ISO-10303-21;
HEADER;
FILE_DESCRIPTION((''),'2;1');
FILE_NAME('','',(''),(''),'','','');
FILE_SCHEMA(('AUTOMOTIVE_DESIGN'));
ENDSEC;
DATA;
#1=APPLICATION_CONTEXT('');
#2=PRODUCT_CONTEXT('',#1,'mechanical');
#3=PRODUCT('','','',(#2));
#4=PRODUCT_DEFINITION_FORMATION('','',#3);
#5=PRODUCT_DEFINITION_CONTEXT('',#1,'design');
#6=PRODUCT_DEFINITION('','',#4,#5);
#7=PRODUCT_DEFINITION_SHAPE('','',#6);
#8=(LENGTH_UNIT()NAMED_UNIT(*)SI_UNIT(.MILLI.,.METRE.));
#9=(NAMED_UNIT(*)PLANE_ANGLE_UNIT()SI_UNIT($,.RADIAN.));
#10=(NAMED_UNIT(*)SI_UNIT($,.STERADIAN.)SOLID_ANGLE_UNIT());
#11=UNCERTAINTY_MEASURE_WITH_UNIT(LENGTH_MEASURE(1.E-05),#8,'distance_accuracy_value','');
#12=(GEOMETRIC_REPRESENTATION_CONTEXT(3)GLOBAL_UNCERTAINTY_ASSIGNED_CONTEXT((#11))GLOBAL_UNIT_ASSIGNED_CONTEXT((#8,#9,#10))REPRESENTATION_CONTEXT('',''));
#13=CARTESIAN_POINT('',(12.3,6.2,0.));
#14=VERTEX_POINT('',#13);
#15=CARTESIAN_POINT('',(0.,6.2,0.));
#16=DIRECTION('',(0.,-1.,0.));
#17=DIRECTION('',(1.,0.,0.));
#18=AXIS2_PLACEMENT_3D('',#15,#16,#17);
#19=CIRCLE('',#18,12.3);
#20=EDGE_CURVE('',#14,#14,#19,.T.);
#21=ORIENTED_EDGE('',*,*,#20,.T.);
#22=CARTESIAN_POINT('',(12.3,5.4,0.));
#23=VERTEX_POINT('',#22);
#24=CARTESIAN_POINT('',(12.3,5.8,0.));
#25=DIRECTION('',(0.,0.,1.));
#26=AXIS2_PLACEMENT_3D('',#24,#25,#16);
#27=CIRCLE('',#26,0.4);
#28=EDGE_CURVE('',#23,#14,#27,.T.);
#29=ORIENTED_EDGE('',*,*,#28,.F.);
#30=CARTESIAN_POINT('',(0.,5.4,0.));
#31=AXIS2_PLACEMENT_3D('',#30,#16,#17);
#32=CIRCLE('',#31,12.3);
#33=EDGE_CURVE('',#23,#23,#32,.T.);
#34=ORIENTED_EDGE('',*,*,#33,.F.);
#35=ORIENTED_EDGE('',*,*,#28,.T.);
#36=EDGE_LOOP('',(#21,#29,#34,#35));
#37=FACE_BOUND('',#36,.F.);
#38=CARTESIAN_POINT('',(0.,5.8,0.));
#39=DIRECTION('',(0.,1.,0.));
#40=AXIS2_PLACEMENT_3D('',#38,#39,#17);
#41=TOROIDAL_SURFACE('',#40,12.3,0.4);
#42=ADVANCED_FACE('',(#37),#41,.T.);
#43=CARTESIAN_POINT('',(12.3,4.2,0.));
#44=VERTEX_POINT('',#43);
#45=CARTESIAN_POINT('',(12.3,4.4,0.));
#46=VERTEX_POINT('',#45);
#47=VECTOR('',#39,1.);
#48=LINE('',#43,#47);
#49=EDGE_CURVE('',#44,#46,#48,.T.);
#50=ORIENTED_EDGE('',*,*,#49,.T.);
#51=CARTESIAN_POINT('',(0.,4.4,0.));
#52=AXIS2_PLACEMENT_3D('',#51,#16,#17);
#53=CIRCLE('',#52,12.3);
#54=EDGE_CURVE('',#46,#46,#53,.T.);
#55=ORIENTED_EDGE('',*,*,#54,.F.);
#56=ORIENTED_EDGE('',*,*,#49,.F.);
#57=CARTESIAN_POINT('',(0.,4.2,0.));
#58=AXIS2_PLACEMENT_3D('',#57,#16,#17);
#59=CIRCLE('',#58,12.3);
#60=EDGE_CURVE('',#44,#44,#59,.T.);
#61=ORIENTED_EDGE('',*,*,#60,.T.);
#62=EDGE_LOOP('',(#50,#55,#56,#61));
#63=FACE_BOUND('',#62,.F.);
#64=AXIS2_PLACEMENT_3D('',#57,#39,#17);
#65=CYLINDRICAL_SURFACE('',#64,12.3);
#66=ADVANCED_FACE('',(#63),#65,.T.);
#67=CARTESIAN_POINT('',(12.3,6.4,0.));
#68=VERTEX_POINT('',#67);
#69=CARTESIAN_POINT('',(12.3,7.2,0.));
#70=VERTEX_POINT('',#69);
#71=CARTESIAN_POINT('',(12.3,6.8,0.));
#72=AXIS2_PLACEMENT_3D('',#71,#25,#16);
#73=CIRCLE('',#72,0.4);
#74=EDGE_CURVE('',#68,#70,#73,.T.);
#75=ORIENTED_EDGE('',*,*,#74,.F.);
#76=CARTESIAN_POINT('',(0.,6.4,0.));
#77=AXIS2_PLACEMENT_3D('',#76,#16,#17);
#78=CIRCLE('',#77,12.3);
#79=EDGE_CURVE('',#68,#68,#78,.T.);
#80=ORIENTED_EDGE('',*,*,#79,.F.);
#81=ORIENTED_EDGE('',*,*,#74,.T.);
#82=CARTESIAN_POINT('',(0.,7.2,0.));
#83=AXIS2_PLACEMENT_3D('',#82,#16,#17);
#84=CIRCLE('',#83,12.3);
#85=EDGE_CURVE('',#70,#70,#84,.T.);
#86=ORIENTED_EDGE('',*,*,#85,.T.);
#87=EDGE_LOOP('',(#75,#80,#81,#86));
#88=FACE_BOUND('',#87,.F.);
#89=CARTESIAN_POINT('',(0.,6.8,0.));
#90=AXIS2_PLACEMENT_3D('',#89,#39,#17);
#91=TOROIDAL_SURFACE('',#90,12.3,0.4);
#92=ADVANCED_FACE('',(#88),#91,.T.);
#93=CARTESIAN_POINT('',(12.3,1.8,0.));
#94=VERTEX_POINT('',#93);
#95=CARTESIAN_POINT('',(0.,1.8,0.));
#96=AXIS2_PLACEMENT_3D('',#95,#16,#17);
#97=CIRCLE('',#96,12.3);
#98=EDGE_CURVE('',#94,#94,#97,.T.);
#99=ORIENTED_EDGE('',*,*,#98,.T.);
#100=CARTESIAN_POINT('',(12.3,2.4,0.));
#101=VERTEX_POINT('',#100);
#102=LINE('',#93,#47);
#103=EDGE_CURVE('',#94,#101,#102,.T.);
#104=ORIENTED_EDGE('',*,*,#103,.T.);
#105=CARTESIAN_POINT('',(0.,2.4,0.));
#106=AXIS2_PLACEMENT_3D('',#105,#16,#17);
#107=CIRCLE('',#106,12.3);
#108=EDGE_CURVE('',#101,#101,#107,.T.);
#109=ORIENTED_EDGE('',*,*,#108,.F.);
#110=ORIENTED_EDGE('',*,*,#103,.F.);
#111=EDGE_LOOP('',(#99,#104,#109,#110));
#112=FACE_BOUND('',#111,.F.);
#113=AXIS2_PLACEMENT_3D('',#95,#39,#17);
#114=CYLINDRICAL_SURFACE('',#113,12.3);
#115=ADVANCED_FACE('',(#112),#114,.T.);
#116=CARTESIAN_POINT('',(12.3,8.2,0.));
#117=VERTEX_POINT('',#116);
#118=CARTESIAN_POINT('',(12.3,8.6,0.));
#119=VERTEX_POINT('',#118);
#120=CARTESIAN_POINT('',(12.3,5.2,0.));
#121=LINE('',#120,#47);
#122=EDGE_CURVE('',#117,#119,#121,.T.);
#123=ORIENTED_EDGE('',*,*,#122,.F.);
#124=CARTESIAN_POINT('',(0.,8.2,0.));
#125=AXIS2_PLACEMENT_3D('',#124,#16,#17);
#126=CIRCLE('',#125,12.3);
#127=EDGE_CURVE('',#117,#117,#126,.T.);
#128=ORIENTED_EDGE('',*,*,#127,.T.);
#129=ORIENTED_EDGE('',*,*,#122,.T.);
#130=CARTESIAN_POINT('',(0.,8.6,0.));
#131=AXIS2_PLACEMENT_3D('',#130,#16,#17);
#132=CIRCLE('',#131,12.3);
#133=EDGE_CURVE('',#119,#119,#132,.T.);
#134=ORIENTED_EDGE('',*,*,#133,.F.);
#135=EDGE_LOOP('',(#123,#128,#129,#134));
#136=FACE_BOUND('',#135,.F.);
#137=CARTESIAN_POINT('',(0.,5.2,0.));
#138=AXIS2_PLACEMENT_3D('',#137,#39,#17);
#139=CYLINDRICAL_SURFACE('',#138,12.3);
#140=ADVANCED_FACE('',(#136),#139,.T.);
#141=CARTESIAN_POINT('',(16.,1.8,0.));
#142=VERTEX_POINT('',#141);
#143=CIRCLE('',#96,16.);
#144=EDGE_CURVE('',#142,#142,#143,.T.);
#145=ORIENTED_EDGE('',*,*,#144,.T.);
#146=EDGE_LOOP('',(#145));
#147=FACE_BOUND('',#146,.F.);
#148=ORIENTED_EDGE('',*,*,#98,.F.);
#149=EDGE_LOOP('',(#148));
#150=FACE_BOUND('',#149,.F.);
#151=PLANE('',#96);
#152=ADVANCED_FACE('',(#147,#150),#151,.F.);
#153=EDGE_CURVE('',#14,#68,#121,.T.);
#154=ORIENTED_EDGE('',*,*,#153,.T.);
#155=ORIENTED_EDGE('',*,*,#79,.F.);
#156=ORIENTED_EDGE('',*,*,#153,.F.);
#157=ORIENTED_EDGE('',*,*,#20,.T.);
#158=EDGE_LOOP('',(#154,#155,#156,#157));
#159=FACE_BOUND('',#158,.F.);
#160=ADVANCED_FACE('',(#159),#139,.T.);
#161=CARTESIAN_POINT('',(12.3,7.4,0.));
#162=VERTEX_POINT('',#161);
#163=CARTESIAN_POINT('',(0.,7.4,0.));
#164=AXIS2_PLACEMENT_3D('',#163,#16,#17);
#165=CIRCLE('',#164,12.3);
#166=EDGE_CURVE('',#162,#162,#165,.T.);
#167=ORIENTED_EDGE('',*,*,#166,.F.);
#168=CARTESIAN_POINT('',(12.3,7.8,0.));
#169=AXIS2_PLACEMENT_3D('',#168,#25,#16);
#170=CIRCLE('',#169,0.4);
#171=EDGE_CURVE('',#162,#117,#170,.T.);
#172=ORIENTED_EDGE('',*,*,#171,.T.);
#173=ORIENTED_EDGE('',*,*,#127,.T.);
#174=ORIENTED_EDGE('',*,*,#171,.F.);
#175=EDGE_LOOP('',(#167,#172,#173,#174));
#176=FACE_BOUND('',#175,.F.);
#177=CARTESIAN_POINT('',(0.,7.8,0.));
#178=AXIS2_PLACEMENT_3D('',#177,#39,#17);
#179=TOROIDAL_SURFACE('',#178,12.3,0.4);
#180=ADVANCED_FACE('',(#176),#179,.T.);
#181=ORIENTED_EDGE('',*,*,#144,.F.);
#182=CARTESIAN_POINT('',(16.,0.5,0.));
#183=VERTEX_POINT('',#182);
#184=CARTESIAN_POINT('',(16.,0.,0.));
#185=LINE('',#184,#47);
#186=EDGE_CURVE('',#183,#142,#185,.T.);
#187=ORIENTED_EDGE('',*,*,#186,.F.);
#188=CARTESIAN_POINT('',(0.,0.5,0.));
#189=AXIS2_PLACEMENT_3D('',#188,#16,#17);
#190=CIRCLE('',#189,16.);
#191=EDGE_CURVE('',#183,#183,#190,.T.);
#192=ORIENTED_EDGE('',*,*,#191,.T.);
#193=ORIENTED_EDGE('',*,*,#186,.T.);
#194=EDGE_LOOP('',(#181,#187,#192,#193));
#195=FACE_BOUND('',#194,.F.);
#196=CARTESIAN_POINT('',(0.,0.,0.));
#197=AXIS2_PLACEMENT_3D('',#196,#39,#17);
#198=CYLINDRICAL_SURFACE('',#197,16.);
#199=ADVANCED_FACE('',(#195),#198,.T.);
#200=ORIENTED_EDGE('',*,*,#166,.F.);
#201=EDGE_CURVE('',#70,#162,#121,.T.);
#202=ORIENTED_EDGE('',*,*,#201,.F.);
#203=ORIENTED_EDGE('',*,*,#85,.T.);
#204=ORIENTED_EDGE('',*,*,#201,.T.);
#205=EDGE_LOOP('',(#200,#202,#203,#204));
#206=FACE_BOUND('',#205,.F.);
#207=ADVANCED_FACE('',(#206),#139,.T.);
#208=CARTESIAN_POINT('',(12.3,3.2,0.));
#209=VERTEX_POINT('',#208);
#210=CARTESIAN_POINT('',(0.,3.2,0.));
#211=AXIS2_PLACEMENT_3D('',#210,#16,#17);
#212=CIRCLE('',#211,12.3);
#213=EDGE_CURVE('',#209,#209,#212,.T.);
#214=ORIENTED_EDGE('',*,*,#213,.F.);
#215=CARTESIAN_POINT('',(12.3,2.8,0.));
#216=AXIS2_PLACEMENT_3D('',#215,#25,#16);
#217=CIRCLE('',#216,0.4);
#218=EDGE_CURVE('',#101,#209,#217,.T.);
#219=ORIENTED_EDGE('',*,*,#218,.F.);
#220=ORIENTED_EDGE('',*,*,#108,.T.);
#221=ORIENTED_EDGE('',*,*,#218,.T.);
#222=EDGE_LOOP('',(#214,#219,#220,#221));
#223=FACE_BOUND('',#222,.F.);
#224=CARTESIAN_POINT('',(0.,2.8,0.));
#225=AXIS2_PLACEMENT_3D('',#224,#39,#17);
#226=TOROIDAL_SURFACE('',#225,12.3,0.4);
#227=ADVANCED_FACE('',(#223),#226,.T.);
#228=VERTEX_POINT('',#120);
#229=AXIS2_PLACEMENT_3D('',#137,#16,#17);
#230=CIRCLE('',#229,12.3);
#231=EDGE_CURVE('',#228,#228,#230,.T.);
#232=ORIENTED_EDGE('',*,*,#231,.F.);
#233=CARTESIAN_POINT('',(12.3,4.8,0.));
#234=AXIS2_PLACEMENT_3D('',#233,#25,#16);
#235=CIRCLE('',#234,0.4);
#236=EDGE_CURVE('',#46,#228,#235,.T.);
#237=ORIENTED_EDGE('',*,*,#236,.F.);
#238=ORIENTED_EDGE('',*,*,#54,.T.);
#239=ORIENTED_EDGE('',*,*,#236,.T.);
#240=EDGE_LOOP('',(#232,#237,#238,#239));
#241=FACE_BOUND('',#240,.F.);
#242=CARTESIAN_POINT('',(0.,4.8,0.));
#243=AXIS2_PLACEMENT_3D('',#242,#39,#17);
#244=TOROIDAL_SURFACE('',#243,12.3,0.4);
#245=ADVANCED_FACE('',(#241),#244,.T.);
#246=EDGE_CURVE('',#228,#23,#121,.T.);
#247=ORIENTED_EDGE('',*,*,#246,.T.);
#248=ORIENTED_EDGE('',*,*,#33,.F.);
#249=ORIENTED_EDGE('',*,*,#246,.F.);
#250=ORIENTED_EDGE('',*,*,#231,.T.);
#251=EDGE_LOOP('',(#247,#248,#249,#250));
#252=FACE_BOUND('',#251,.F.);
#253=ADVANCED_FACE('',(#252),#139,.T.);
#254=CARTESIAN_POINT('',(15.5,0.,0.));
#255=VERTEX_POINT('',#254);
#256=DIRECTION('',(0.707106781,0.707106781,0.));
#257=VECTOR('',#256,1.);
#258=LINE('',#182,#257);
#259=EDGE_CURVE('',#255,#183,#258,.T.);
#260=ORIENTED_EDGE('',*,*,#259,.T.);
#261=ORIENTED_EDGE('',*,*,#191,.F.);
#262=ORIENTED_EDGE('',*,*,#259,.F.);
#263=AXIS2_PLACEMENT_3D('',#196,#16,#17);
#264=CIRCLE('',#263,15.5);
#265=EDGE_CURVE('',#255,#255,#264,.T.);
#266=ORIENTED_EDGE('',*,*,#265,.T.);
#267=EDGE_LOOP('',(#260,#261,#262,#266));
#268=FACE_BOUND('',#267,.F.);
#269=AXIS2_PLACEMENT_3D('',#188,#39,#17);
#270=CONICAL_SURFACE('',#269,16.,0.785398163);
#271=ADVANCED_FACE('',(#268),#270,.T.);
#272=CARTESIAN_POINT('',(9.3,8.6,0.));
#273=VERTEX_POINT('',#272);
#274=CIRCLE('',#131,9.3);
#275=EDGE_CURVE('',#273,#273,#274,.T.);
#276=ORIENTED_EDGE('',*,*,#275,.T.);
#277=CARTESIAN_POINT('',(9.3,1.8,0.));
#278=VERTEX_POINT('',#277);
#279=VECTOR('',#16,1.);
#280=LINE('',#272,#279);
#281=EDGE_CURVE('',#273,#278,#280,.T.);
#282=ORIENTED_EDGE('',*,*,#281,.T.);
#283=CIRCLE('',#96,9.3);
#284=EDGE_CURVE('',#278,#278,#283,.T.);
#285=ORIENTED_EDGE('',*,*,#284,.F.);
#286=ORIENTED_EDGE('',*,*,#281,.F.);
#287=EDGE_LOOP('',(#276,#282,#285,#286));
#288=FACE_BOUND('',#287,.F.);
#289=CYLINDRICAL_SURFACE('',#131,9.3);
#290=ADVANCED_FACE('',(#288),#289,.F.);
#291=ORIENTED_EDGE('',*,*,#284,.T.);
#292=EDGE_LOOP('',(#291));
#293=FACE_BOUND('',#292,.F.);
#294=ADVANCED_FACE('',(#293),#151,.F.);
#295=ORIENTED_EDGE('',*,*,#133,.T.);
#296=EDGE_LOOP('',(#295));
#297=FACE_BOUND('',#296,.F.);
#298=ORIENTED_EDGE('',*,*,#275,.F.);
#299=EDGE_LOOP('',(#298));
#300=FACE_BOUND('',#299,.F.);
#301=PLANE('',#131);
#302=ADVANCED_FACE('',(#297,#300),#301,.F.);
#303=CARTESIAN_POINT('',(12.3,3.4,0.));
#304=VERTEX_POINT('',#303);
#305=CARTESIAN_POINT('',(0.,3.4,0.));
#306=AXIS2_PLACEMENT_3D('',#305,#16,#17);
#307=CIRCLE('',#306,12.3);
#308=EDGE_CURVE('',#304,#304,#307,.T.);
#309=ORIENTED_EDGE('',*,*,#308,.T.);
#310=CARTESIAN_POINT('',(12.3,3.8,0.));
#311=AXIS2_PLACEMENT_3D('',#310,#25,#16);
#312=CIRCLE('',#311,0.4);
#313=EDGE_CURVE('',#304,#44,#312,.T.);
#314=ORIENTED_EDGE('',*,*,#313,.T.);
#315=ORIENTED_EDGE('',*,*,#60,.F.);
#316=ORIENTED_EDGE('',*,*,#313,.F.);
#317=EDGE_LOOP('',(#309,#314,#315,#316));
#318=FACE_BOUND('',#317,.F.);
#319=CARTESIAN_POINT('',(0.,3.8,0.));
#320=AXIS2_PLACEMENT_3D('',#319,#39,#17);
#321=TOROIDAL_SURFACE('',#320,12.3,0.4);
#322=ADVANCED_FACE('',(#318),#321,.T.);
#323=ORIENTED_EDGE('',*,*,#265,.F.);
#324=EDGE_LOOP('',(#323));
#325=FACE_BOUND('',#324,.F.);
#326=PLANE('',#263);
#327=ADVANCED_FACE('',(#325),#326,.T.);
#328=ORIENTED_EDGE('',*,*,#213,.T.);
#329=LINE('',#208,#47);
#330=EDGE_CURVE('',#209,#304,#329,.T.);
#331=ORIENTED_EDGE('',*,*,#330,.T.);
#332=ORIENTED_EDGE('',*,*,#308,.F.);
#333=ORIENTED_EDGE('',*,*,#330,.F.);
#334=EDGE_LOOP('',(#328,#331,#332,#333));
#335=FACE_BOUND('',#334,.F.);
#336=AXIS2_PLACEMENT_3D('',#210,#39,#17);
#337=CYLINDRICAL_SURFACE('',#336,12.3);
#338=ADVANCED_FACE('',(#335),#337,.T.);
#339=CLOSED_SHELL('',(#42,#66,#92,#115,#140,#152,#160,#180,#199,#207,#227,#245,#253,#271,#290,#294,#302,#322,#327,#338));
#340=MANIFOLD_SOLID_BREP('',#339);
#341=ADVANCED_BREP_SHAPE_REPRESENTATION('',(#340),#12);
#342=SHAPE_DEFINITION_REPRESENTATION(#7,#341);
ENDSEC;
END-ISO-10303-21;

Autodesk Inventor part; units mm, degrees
ref_plane "YZ Plane" through (0, 0, 0) normal (1, 0, 0) x (0, 1, 0)
ref_plane "XZ Plane" through (0, 0, 0) normal (0, 1, 0) x (-1, 0, 0)
ref_plane "XY Plane" through (0, 0, 0) normal (0, 0, 1) x (1, 0, 0)
sketch "Sketch1" plane through (0, 0, 0) normal (0, 0, 1) x (1, 0, 0)
  line L0 (16, 0) -> (16, 1.8)
  line L1 (16, 1.8) -> (12.3, 1.8)
  line L2 (12.3, 1.8) -> (12.3, 2.4)
  arc A0 (12.3, 2.4) -> (12.3, 3.2) centre (12.3, 2.8) ccw
  line L3 (12.3, 3.2) -> (12.3, 3.4)
  arc A1 (12.3, 3.4) -> (12.3, 4.2) centre (12.3, 3.8) ccw
  line L4 (12.3, 4.2) -> (12.3, 4.4)
  arc A2 (12.3, 4.4) -> (12.3, 5.2) centre (12.3, 4.8) ccw
  line L5 (12.3, 5.2) -> (12.3, 8.6)
  line L6 (12.3, 8.6) -> (9.3, 8.6)
  line L7 (9.3, 8.6) -> (9.3, 1.8)
  line L8 (9.3, 1.8) -> (0, 1.8)
  line L9 (0, 1.8) -> (0, 0)
  line L10 (0, 0) -> (16, 0)
  line L11 (12.5, 4.8) -> (12.5, 2.8) construction
  line L12 (12.3, 4.8) -> (12.5, 4.8) construction
  line L13 (12.3, 2.8) -> (12.5, 2.8) construction
  line L14 (12.7, 4.8) -> (12.7, 2.8) construction
  line L15 (12.3, 5.8) -> (12.5, 5.8) construction
  arc A3 (12.3, 5.4) -> (12.3, 6.2) centre (12.3, 5.8) ccw
  line L16 (12.3, 6.8) -> (12.5, 6.8) construction
  arc A4 (12.3, 6.4) -> (12.3, 7.2) centre (12.3, 6.8) ccw
  line L17 (12.3, 7.8) -> (12.5, 7.8) construction
  arc A5 (12.3, 7.4) -> (12.3, 8.2) centre (12.3, 7.8) ccw
  point P0 (12.7, 5.8)
  point P1 (12.7, 6.8)
  point P2 (12.7, 7.8)
  point P3 (12.3, 8.2)
  point P4 (12.3, 7.4)
  point P5 (12.3, 6.2)
  point P6 (12.3, 5.4)
  point P7 (12.3, 7.2)
  point P8 (12.3, 6.4)
  dimension "d0" = 25
  dimension "d1" = 0.2
  dimension "d2" = 1
  dimension "d3" = 1
  dimension "d5" = 1
  dimension "d6" = 0.2
  dimension "d8" = 1.8
  dimension "d10" = 32
  dimension "d17" = 1
  dimension "d22" = 0.8
  dimension "d23" = 3
revolve "Revolution1" add sketch "Sketch1" angle 360 about axis through (0, 1.8, 0) along (0, -1, 0)
chamfer "Chamfer1" distance 0.5 angle 45 1 edges at (-16, 0, 0)
equation "\"d3\" = d2"
properties part number "Abdeckung_Sensorkopfh"
